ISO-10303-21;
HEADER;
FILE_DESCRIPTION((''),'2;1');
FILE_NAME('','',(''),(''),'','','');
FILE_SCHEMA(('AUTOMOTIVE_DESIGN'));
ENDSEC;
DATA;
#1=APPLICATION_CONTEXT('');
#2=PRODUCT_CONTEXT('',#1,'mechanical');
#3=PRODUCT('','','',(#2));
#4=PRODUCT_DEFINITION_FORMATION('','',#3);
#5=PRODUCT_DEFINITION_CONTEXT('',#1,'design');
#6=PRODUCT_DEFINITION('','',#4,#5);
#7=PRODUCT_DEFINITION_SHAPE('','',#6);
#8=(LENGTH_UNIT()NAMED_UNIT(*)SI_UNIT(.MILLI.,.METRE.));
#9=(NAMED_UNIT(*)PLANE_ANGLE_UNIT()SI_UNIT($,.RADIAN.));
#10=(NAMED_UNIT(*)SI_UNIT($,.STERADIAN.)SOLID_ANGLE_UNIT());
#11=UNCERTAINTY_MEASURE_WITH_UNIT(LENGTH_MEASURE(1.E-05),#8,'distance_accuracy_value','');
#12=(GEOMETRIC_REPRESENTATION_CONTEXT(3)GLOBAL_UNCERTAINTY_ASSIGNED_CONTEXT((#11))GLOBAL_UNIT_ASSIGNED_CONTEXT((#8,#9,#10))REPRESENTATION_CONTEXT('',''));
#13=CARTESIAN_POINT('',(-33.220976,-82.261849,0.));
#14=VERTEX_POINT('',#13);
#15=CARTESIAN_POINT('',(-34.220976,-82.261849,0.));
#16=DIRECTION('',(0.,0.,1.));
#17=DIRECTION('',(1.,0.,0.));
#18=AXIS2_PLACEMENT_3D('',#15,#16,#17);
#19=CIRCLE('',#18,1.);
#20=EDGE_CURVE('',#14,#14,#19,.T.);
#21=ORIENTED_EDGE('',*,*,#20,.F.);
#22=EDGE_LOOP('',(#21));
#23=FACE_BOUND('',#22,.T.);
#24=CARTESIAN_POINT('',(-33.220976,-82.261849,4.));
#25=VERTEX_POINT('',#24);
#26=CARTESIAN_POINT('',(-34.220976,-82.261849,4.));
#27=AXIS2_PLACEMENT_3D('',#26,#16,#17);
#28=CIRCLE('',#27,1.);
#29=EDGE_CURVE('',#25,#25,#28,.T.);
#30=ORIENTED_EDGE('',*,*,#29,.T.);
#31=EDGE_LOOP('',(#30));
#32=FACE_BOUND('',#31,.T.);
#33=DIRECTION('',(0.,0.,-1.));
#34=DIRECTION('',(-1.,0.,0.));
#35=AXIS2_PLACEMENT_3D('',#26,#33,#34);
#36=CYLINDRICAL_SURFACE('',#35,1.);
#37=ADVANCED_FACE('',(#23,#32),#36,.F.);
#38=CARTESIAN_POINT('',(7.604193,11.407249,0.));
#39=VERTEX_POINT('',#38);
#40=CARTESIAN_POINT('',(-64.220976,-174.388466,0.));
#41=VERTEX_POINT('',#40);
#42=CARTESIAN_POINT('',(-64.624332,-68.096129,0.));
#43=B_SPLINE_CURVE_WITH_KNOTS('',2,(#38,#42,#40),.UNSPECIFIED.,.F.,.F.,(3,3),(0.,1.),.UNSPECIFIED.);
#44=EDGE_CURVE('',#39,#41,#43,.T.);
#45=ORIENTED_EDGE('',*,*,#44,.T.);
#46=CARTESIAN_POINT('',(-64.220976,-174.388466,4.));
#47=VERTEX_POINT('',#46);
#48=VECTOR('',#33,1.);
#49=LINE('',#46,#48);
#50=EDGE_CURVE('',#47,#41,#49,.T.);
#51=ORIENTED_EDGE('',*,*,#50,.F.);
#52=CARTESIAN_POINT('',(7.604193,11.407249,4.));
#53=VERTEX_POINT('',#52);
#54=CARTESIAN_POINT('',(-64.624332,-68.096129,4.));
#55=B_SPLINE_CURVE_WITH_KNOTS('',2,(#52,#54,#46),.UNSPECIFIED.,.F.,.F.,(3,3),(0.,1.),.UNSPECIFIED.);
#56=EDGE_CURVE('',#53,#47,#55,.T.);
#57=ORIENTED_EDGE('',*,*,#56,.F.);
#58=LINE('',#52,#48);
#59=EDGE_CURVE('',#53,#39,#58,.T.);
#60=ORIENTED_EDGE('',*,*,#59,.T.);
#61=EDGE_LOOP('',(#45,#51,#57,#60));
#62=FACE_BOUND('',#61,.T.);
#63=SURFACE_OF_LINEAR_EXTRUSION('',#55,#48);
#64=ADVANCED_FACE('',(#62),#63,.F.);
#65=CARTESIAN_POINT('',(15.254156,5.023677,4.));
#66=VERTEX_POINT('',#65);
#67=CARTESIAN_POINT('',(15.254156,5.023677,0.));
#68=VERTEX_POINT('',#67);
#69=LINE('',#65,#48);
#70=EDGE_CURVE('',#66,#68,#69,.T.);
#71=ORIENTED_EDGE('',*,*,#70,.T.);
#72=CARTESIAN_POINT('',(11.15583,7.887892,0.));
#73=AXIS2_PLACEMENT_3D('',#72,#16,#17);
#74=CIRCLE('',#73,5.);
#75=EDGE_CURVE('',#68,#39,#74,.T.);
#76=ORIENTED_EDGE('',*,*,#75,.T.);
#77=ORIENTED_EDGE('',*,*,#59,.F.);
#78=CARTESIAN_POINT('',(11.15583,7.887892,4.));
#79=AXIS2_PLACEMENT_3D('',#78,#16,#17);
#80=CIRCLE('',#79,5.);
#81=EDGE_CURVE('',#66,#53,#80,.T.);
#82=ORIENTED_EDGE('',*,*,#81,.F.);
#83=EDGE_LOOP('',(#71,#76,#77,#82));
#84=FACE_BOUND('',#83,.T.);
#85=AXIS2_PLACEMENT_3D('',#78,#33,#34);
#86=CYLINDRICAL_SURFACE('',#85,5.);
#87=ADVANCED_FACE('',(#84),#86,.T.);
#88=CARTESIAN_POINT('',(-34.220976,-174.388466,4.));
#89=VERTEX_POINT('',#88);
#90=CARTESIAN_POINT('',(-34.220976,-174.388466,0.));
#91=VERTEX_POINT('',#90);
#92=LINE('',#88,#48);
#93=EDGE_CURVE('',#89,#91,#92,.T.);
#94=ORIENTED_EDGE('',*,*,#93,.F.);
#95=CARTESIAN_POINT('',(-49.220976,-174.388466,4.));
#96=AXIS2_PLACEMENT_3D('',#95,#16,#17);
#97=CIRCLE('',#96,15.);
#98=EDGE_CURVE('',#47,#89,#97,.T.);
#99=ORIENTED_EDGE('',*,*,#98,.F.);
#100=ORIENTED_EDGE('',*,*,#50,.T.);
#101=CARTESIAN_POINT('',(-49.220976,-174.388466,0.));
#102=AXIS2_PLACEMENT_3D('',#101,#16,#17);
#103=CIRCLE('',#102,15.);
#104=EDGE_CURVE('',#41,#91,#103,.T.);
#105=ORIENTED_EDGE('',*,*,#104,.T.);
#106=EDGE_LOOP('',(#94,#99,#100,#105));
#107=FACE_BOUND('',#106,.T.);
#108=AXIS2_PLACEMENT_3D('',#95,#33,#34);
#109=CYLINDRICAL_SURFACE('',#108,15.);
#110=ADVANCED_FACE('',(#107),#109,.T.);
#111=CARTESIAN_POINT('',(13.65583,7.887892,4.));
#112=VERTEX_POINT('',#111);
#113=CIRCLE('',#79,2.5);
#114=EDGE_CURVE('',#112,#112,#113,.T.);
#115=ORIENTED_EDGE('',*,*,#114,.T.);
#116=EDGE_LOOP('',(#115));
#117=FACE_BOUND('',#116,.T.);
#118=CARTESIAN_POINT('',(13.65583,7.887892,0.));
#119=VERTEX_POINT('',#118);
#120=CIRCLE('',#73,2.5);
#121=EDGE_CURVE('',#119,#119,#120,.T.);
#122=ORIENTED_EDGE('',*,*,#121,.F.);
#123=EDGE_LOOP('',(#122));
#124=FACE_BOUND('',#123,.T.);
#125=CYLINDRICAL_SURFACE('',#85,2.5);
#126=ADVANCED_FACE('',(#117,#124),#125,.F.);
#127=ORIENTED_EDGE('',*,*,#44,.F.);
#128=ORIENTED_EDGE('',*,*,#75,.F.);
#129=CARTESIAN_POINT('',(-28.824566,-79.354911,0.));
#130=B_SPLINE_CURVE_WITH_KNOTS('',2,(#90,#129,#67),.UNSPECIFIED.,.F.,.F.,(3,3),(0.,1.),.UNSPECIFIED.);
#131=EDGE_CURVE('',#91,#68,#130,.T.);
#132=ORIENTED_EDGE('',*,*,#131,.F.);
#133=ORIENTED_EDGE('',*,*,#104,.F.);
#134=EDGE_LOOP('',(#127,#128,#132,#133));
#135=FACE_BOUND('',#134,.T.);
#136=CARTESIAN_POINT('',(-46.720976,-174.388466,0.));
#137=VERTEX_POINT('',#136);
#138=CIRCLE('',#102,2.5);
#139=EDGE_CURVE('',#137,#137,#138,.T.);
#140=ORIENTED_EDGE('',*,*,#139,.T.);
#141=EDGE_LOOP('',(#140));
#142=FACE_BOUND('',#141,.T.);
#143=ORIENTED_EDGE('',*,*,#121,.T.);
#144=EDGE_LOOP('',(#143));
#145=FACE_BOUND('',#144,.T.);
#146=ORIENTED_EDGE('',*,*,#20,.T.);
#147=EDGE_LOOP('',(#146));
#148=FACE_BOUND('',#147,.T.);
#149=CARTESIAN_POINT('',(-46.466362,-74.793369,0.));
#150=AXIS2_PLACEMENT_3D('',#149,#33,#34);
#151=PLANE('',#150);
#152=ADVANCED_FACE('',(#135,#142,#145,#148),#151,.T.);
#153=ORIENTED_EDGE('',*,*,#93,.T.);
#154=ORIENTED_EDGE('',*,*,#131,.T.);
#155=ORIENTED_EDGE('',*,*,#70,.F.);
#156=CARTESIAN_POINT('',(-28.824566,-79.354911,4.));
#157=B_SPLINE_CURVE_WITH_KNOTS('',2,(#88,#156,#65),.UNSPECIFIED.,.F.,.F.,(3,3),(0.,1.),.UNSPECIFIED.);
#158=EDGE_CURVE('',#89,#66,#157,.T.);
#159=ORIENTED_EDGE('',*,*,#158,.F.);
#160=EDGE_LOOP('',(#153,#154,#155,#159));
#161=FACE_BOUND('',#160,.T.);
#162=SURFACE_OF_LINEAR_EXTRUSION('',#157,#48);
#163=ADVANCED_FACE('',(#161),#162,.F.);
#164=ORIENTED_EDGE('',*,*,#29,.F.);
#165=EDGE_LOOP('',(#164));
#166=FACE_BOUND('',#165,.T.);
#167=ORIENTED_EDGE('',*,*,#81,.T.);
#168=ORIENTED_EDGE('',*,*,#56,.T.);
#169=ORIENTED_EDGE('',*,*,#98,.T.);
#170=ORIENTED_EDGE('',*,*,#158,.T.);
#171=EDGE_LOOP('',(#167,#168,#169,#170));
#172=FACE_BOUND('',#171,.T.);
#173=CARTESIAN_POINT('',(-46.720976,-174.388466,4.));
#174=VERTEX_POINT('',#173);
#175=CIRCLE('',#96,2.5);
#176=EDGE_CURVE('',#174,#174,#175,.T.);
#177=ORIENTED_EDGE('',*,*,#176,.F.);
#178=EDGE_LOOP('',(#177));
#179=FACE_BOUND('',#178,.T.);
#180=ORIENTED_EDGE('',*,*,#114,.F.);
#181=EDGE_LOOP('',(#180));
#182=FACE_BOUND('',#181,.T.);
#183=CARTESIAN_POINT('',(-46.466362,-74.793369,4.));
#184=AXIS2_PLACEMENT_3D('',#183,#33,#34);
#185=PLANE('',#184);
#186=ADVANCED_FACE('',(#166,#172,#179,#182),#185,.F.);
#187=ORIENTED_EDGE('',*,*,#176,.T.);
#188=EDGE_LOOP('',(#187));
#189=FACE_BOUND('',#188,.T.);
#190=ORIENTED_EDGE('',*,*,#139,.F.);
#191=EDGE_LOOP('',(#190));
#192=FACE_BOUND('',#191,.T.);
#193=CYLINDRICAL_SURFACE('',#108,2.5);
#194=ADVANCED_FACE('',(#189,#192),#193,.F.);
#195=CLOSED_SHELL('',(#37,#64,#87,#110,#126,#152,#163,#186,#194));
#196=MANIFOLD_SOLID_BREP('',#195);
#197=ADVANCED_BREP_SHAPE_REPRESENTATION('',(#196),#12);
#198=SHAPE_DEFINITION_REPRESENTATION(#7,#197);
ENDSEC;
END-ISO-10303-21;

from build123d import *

# Parameters (mm, degrees)
SKETCH1_R           = 2.5
SKETCH1_R_2         = 1
BOSS_EXTRUDE1_DEPTH = 4


with BuildPart() as part:
    # Sketch1 → Boss-Extrude1 (new body)
    with BuildSketch(Plane.XY):
        with BuildLine():
            ThreePointArc((15.254156194, 5.023677433), (14.359298867, 11.726874121), (7.604193017, 11.407248683))
            add(Edge.make_bspline(
                [(7.604193017, 11.407248683), (-64.624332124, -68.096129446), (-64.220975839, -174.388465928)],
                knots=[0, 0, 0, 1, 1, 1], degree=2))
            ThreePointArc((-64.220975839, -174.388465928), (-49.220975839, -189.388465928), (-34.220975839, -174.388465928))
            add(Edge.make_bspline(
                [(15.254156194, 5.023677433), (-28.824565765, -79.354910708), (-34.220975839, -174.388465928)],
                knots=[0, 0, 0, 1, 1, 1], degree=2))
        make_face()
        with Locations((11.155830006, 7.88789154)):
            Circle(SKETCH1_R, mode=Mode.SUBTRACT)
        with Locations((-34.220975839, -82.261849143)):
            Circle(SKETCH1_R_2, mode=Mode.SUBTRACT)
        with Locations((-49.220975839, -174.388465928)):
            Circle(SKETCH1_R, mode=Mode.SUBTRACT)
    extrude(amount=BOSS_EXTRUDE1_DEPTH)


solid = part.part
